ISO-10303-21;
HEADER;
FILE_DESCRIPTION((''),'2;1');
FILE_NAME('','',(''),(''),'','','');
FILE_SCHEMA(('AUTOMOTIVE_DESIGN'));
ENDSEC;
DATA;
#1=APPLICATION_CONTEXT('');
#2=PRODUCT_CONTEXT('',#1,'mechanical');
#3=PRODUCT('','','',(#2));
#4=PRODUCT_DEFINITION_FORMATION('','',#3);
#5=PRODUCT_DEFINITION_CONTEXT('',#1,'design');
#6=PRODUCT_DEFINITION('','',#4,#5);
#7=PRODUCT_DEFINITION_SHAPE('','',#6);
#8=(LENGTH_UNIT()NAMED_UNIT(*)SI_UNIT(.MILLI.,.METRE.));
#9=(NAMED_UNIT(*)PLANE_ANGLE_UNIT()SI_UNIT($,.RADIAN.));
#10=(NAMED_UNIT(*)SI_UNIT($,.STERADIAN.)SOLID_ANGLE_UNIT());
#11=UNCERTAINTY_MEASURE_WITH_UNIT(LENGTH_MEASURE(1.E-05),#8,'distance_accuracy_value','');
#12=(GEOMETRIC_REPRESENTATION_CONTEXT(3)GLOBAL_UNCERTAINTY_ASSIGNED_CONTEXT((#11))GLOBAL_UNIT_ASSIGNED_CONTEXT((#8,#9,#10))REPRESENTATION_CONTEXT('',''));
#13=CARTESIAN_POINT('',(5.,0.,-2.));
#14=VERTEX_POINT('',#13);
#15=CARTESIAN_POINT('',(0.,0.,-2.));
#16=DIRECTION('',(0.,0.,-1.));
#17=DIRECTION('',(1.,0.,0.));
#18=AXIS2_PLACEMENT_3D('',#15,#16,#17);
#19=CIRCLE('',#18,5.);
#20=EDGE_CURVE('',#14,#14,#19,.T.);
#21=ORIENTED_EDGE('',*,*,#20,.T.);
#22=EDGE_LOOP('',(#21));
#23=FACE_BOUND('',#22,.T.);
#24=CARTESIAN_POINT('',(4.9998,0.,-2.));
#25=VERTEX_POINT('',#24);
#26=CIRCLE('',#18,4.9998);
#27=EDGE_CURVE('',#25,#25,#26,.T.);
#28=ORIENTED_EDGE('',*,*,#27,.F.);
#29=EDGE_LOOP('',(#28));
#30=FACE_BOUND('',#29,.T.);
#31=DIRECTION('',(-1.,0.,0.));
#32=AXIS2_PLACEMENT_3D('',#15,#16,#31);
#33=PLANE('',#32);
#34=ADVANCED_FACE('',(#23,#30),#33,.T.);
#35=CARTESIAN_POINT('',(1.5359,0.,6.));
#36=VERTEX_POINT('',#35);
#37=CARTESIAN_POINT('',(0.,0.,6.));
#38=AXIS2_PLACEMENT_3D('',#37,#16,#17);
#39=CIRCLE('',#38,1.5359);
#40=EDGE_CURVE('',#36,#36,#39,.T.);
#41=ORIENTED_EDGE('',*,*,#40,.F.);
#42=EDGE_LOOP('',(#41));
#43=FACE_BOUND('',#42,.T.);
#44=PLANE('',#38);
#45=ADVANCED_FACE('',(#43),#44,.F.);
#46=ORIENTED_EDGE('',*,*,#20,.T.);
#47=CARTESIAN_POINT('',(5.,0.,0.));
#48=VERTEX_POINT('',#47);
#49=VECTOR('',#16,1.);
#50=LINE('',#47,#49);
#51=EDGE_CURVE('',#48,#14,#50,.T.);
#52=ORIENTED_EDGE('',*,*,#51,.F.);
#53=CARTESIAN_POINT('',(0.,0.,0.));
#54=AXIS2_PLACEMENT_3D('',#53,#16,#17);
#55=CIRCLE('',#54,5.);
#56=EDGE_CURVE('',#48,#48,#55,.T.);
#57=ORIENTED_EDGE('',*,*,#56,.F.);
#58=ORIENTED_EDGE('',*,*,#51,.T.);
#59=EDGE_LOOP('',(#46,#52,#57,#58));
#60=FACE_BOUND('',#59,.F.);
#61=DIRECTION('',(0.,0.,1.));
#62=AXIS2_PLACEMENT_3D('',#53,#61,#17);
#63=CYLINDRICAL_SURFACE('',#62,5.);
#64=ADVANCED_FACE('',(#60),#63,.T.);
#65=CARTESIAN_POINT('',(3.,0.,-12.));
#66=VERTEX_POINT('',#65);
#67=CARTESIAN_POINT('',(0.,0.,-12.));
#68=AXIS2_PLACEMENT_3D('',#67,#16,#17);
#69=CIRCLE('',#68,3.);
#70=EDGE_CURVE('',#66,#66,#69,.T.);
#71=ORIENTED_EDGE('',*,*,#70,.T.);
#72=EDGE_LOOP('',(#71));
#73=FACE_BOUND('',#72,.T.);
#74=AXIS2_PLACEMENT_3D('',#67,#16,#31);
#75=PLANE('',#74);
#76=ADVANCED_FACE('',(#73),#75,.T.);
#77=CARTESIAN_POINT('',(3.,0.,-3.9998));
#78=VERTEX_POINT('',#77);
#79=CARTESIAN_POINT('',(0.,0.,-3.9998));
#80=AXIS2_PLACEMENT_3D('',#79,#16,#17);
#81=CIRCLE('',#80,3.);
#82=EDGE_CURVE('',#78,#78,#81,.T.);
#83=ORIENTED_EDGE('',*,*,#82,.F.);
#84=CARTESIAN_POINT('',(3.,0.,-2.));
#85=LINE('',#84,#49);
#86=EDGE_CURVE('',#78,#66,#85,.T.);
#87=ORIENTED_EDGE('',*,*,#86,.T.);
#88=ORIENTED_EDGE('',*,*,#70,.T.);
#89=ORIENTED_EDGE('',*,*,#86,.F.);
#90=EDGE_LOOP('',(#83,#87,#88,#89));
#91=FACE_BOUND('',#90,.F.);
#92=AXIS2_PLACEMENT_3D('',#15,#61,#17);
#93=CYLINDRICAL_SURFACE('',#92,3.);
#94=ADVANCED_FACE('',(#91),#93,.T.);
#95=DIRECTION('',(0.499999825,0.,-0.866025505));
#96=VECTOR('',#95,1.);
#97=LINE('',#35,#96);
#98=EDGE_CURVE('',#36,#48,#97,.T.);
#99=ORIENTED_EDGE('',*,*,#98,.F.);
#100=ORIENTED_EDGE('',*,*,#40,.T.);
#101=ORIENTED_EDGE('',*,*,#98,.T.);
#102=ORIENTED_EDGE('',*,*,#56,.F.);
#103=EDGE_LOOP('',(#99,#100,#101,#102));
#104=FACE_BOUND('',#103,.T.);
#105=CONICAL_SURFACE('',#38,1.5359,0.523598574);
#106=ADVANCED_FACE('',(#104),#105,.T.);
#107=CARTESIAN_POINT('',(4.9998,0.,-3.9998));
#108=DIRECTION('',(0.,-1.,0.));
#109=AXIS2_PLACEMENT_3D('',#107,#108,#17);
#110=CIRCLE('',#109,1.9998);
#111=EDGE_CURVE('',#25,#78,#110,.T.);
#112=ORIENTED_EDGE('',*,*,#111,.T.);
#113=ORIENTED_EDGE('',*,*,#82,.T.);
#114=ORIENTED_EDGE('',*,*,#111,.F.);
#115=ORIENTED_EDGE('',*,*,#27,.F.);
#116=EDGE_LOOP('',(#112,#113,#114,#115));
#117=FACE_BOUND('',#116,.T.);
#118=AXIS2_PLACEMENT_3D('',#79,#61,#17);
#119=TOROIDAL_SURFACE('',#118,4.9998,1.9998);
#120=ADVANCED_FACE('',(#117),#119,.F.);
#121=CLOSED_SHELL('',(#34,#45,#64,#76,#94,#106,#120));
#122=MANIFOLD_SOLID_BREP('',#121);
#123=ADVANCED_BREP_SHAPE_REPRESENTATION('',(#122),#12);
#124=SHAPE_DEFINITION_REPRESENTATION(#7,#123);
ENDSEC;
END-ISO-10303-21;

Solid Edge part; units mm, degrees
sketch "Sketch1" plane through (0, 0, 0) normal (0, -1, 0) x (1, 0, 0)
  line L0 (0, 6) -> (1.5359, 6)
  line L1 (1.5359, 6) -> (5, 0)
  line L2 (5, 0) -> (0, 0)
  line L3 (0, 0) -> (0, 6)
  dimension "D1" = 6
revolve "RevolvedProtrusion1" add sketch "Sketch1" angle 360 about axis through (0, 0, 54) along (0, 0, -1)
sketch "Sketch2" plane through (0, 0, 0) normal (0, 0, -1) x (1, 0, 0)
  circle A0 centre (0, 0) radius 5
extrude "Protrusion1" add sketch "Sketch2" along normal blind 2
sketch "Sketch3" plane through (0, 0, -2) normal (0, 0, -1) x (1, 0, 0)
  circle A0 centre (0, 0) radius 3
  dimension "D1" = 6
extrude "ExtrudedProtrusion_2" add sketch "Sketch3" along normal blind 10
fillet "Round_1" radius 2 1 edges at (-3, 0, -2)
properties material "Stainless steel"
